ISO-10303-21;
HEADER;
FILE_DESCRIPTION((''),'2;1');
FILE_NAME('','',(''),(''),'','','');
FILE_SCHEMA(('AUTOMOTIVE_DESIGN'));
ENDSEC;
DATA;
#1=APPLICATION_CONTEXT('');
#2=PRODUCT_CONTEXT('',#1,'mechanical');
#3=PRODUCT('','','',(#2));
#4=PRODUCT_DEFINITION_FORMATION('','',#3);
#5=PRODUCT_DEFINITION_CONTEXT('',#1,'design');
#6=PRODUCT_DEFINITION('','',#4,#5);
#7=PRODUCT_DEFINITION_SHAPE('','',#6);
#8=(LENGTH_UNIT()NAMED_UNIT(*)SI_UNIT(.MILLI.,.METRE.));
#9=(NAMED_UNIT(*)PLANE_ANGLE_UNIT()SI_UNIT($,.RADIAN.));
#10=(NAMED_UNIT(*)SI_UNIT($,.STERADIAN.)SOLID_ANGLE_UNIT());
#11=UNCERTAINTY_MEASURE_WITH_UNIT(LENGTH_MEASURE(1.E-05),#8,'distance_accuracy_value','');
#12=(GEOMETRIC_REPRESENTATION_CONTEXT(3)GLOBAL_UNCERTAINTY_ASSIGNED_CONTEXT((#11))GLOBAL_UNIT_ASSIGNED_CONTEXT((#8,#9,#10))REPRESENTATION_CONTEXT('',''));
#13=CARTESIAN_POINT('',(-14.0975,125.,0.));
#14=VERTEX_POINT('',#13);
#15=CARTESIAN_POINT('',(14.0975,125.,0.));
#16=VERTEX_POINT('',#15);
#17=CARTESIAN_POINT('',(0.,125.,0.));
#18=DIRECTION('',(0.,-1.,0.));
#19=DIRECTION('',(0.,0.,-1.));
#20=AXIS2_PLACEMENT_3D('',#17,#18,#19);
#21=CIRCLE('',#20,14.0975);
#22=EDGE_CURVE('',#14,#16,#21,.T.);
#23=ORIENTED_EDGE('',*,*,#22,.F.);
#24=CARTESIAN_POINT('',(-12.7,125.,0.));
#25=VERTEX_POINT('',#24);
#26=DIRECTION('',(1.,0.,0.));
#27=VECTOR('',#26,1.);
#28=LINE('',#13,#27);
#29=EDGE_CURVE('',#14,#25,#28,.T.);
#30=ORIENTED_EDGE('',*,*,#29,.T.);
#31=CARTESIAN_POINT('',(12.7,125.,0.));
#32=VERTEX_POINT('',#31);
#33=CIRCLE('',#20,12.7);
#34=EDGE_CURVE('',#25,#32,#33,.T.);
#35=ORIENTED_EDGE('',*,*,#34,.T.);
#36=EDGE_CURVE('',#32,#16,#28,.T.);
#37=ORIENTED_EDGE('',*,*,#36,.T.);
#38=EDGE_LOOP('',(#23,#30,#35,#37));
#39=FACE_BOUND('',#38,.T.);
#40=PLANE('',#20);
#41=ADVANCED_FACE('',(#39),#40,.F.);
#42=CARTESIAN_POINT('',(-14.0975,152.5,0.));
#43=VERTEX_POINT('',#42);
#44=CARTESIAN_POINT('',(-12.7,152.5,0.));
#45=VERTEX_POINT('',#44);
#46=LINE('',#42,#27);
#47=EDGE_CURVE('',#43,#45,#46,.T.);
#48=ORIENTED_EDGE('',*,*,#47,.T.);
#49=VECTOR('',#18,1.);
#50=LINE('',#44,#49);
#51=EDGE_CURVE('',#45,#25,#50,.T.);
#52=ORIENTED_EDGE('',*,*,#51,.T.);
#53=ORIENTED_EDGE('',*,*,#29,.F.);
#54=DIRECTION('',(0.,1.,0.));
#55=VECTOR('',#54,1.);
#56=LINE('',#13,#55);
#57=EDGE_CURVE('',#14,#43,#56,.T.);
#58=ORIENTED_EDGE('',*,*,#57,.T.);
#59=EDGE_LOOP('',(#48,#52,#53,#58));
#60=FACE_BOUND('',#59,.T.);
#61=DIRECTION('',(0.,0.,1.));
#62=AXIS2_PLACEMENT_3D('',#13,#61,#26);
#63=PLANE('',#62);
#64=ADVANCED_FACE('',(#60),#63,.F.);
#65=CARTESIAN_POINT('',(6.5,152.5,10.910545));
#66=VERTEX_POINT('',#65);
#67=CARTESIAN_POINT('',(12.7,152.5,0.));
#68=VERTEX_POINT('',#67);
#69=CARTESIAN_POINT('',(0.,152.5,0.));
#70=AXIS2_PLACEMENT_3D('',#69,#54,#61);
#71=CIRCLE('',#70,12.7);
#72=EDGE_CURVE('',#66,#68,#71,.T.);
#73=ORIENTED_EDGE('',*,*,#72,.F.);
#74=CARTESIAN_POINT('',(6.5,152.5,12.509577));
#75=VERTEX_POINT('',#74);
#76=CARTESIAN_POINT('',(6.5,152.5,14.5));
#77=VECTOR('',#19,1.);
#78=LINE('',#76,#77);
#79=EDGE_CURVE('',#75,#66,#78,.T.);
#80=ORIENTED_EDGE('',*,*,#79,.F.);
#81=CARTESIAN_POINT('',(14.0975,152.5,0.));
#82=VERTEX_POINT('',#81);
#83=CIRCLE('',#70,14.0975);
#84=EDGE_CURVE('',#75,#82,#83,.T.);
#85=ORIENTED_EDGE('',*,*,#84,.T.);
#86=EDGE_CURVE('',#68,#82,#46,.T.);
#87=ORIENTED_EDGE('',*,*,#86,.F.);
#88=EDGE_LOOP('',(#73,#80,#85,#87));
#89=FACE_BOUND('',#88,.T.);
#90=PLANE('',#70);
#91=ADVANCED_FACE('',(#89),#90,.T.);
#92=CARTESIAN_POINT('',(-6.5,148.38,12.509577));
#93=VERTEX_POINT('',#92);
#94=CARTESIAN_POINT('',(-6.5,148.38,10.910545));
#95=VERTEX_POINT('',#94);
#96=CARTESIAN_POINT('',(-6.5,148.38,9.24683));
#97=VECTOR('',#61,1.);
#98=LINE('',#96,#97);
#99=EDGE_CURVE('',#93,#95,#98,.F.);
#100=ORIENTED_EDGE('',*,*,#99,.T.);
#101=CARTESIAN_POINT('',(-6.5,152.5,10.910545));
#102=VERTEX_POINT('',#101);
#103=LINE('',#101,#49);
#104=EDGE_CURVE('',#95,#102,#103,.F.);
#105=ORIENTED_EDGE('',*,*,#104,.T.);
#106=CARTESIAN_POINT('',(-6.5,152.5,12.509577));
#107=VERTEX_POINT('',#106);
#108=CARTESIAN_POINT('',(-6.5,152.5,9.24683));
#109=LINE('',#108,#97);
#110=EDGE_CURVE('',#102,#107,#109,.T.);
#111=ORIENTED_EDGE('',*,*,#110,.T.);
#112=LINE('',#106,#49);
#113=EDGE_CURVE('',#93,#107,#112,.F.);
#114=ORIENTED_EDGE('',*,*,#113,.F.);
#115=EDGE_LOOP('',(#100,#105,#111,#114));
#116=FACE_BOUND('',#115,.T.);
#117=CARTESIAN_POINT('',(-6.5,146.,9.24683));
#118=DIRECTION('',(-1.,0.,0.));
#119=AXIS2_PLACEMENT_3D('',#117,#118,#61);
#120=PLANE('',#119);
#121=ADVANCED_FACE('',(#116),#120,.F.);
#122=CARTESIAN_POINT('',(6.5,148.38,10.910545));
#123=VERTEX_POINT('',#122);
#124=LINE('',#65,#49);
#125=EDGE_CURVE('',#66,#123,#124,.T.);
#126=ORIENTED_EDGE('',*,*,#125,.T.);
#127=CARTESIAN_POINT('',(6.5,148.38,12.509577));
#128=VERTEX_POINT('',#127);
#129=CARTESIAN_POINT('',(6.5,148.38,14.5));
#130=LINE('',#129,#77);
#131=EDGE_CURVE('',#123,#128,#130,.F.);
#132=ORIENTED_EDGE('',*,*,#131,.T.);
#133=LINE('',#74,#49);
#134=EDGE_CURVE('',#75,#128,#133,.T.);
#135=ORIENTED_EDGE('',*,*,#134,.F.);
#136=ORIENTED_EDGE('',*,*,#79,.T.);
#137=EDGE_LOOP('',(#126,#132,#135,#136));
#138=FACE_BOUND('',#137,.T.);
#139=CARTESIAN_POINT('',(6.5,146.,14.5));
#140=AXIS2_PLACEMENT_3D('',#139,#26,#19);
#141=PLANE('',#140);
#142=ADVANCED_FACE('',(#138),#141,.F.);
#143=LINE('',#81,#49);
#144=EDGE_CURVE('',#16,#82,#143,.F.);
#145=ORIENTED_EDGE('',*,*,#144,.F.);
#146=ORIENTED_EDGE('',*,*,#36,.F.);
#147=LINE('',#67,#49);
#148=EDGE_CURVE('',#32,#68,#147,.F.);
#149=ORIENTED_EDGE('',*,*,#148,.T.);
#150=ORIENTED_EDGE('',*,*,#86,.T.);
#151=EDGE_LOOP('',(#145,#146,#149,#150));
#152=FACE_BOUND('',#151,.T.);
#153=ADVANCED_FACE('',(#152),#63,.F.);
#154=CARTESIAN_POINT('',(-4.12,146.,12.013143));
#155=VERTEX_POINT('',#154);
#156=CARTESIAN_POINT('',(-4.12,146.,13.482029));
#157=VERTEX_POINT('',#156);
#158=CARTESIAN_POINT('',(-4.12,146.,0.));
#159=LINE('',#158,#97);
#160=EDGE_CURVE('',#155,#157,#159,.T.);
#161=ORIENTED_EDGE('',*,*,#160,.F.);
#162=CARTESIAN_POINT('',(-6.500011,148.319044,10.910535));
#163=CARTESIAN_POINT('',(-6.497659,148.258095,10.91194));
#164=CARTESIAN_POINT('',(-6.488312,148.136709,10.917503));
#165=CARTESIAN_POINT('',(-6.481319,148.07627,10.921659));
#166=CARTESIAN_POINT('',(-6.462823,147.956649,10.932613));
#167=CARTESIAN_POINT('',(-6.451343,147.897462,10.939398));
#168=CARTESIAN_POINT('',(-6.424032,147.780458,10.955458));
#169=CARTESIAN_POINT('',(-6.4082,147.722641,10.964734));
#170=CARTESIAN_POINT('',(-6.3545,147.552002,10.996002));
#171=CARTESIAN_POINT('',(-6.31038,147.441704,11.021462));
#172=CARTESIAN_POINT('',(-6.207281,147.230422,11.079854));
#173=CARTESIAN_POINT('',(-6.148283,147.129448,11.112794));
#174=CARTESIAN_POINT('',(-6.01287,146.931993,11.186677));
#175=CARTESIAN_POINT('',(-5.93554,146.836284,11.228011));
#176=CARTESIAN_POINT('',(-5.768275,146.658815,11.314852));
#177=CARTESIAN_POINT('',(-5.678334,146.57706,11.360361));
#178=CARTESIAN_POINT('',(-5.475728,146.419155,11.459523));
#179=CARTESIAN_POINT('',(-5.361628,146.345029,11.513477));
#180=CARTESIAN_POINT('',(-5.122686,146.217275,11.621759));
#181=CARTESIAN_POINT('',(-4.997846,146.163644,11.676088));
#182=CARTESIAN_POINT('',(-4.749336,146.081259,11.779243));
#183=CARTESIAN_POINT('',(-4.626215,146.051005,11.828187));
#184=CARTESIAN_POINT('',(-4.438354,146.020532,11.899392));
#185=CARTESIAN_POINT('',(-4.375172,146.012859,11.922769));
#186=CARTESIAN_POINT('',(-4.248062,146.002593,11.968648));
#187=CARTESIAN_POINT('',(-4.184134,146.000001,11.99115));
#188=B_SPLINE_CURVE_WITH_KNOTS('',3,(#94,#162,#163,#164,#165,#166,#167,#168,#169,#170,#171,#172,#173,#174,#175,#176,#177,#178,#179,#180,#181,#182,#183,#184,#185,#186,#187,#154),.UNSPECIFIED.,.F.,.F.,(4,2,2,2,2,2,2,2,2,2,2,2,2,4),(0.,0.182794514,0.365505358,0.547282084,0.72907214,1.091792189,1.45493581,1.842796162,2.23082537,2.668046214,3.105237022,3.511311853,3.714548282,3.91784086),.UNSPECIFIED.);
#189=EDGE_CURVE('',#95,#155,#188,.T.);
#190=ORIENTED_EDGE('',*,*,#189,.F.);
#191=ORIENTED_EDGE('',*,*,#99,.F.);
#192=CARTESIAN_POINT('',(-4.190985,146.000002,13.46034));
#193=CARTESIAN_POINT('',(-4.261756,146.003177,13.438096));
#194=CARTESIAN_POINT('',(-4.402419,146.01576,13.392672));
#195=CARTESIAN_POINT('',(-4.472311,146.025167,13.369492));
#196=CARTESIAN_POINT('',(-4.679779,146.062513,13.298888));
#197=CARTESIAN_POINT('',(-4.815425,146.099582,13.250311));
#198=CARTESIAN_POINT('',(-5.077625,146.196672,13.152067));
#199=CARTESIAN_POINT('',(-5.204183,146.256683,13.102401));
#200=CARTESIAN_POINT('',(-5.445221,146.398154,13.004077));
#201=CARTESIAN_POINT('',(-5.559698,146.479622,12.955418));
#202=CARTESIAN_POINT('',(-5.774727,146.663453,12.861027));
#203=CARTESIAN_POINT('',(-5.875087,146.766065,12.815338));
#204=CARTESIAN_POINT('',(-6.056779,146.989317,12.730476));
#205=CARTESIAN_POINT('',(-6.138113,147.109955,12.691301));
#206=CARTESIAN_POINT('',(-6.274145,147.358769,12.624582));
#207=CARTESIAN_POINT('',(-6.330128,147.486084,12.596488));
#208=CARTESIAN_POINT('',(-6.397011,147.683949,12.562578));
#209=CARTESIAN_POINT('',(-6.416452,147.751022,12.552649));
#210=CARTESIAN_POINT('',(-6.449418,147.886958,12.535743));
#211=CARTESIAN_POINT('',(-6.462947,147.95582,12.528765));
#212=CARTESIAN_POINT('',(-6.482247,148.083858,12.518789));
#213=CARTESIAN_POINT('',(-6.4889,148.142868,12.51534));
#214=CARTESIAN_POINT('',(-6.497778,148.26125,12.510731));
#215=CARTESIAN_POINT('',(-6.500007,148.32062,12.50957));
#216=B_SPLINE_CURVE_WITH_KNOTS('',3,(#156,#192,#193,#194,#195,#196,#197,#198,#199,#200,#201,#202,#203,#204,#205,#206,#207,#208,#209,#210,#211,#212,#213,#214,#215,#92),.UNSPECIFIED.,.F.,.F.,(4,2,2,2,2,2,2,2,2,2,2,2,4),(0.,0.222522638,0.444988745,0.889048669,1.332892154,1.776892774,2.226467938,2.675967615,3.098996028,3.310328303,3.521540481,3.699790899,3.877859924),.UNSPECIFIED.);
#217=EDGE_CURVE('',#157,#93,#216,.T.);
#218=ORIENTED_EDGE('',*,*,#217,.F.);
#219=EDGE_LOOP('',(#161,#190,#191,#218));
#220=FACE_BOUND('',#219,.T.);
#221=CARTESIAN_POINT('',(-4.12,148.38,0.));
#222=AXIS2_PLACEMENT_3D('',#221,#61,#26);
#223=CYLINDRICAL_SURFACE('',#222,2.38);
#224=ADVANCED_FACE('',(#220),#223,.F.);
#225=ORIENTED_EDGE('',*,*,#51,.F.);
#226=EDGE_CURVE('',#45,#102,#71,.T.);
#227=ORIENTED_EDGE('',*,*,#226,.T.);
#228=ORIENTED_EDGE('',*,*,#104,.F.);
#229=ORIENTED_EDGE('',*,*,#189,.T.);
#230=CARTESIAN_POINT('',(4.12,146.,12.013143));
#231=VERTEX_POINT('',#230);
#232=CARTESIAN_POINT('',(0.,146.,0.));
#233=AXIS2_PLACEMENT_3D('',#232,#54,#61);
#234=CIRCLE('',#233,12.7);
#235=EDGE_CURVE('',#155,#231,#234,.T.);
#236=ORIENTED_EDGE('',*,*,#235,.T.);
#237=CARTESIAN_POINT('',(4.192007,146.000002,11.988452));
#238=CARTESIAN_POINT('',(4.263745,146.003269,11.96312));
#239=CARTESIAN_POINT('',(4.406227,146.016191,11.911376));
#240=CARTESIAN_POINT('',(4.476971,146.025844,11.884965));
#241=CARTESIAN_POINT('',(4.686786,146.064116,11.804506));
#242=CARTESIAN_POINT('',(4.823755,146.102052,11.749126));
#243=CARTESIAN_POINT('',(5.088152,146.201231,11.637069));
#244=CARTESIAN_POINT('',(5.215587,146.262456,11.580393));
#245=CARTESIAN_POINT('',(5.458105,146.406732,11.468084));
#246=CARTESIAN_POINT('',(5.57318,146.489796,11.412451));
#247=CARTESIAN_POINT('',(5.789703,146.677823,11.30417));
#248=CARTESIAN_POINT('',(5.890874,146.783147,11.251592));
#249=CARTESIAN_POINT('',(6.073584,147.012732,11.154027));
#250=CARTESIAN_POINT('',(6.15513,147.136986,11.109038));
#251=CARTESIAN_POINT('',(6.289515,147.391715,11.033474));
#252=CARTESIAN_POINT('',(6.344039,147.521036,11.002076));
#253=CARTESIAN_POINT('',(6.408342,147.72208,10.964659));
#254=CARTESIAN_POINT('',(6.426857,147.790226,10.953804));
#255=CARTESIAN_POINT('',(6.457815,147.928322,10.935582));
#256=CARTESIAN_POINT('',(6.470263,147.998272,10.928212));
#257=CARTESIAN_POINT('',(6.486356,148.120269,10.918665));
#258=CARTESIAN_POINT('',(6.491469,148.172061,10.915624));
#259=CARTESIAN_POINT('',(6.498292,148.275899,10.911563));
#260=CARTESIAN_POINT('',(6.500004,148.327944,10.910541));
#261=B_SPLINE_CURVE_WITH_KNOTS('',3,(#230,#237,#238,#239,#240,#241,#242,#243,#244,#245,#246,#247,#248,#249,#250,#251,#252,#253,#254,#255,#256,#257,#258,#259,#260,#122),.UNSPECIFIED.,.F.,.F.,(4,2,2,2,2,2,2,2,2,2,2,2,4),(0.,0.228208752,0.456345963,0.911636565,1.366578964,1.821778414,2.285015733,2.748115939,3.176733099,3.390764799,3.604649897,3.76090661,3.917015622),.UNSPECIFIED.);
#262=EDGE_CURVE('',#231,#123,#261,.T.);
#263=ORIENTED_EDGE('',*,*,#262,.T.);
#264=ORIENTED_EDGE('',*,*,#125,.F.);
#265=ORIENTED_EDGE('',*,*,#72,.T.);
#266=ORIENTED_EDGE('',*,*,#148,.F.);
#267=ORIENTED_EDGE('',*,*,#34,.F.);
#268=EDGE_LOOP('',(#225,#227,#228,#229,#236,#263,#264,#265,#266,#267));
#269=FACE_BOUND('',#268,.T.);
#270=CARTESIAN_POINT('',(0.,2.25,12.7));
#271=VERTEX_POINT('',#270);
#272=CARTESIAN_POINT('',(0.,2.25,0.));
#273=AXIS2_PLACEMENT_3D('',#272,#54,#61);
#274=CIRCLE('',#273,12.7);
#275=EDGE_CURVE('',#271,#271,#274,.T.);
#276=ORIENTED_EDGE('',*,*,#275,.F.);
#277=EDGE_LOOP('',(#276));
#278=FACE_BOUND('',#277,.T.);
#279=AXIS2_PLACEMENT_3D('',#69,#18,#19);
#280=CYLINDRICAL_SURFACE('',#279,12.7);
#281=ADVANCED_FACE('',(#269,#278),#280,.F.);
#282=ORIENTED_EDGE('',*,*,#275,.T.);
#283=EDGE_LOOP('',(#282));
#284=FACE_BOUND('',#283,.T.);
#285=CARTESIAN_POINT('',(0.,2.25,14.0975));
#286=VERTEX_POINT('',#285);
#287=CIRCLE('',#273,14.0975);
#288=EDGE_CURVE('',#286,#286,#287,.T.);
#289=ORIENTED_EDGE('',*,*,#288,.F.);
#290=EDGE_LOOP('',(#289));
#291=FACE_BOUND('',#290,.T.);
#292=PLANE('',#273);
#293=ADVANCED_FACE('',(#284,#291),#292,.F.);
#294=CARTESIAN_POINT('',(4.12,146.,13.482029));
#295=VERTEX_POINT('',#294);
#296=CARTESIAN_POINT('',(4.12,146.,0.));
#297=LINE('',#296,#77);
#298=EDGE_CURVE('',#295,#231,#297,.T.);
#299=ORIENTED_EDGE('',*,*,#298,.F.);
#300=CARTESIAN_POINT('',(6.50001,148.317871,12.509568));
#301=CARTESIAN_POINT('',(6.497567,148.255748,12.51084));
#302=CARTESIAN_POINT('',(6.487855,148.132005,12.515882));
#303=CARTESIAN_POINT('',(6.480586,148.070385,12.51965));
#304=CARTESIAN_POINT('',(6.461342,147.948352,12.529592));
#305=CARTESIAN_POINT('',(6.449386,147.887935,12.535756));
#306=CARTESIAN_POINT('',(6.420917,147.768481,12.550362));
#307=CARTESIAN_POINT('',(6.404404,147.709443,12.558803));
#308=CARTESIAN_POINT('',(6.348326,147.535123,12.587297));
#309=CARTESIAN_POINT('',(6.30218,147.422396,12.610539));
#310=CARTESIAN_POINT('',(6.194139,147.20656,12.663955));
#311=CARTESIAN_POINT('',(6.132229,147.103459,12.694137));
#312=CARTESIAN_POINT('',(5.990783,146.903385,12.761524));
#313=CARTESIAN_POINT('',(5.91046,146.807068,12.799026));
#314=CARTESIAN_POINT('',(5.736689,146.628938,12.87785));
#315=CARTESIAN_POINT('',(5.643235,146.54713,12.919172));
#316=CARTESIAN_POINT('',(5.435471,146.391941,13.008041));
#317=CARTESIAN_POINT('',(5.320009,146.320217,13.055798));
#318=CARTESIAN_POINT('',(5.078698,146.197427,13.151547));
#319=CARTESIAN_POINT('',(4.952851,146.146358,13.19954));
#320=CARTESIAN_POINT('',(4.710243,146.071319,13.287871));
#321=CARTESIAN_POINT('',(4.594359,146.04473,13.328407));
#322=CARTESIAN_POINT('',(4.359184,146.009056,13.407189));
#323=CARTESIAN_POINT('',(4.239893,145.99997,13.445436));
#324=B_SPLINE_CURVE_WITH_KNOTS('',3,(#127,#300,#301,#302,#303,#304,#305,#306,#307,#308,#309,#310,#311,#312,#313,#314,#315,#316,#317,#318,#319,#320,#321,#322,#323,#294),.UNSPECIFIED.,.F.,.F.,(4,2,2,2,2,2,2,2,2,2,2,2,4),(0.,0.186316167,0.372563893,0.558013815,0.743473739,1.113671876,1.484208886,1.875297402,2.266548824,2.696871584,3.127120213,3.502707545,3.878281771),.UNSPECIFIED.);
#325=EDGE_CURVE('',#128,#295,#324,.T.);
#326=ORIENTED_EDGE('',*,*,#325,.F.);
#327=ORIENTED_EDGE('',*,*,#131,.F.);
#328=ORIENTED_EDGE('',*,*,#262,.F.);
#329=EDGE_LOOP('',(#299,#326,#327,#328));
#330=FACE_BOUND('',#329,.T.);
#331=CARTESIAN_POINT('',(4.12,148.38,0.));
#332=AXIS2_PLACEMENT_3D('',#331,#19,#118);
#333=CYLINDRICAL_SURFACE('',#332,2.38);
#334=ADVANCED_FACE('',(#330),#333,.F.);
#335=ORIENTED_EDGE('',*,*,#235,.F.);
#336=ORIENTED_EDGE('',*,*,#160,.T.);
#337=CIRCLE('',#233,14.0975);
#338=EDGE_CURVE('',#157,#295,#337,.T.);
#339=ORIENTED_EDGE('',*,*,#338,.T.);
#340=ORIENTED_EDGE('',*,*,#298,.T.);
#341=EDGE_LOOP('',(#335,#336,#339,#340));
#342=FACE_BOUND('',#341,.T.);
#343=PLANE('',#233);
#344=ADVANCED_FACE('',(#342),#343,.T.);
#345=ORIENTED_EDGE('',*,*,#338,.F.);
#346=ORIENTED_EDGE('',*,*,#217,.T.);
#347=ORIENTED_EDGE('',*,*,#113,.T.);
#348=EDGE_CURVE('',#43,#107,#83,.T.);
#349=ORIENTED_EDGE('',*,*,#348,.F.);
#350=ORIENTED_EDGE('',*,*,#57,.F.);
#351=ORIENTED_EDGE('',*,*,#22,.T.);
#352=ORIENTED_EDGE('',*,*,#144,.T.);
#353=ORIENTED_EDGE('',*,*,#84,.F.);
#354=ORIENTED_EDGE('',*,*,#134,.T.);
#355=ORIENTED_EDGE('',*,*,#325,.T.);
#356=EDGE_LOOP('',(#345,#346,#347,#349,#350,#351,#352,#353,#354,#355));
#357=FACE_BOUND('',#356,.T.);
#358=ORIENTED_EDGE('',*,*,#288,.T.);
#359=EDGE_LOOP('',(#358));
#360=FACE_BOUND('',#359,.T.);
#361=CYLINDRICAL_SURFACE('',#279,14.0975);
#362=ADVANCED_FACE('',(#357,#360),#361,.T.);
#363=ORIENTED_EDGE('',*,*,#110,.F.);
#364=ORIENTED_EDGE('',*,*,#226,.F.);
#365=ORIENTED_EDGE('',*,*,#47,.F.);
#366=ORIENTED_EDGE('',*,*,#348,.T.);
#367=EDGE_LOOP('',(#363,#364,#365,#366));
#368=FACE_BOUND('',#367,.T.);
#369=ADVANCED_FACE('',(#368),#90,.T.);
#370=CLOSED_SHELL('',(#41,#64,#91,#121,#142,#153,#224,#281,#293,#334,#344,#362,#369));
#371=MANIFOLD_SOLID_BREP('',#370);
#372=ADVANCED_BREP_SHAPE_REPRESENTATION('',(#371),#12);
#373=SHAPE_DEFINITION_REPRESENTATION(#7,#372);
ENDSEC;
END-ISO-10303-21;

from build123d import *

# Parameters (mm, degrees)
SKETCH1_R           = 14.0975
SKETCH1_R_2         = 12.7
BOSS_EXTRUDE1_DEPTH = 152.5
SKETCH2_W           = 29.43875972
SKETCH2_H           = 15.555523124
CUT_EXTRUDE1_DEPTH  = 27.5
SKETCH3_W           = 13
SKETCH3_H           = 5.253170184
CUT_EXTRUDE2_DEPTH  = 6.5
FILLET1_R           = 2.38
SKETCH4_W           = 35.595029472
SKETCH4_H           = 37.761683439
CUT_EXTRUDE3_DEPTH  = 2.25


with BuildPart() as part:
    # Sketch1 → Boss-Extrude1 (new body)
    with BuildSketch(Plane(origin=(0, 0, 0), x_dir=(1, 0, 0), z_dir=(0, 1, 0))):
        with Locations(Location((0, 0, 0), (0, 0, 270))):
            Circle(SKETCH1_R)
        with Locations(Location((0, 0, 0), (0, 0, 270))):
            Circle(SKETCH1_R_2, mode=Mode.SUBTRACT)
    extrude(amount=BOSS_EXTRUDE1_DEPTH)

    # Sketch2 → Cut-Extrude1 (cut)
    with BuildSketch(Plane(origin=(0, 152.5, 0), x_dir=(1, 0, 0), z_dir=(0, 1, 0))):
        with Locations((0.62187986, 7.777761562)):
            Rectangle(SKETCH2_W, SKETCH2_H)
    extrude(amount=-CUT_EXTRUDE1_DEPTH, mode=Mode.SUBTRACT)

    # Sketch3 → Cut-Extrude2 (cut)
    with BuildSketch(Plane(origin=(0, 152.5, 0), x_dir=(1, 0, 0), z_dir=(0, 1, 0))):
        with Locations((0, -11.873414908)):
            Rectangle(SKETCH3_W, SKETCH3_H)
    extrude(amount=-CUT_EXTRUDE2_DEPTH, mode=Mode.SUBTRACT)

    # Fillet1
    fillet1_edges = [part.edges().sort_by_distance(p)[0] for p in [
        (6.5, 146, 11.71006097),
        (-6.5, 146, 11.71006097),
    ]]
    fillet(fillet1_edges, radius=FILLET1_R)

    # Sketch4 → Cut-Extrude3 (cut)
    with BuildSketch(Plane.XZ):
        with Locations((0.67063099, 0.361108995)):
            Rectangle(SKETCH4_W, SKETCH4_H)
    extrude(amount=-CUT_EXTRUDE3_DEPTH, mode=Mode.SUBTRACT)


solid = part.part
